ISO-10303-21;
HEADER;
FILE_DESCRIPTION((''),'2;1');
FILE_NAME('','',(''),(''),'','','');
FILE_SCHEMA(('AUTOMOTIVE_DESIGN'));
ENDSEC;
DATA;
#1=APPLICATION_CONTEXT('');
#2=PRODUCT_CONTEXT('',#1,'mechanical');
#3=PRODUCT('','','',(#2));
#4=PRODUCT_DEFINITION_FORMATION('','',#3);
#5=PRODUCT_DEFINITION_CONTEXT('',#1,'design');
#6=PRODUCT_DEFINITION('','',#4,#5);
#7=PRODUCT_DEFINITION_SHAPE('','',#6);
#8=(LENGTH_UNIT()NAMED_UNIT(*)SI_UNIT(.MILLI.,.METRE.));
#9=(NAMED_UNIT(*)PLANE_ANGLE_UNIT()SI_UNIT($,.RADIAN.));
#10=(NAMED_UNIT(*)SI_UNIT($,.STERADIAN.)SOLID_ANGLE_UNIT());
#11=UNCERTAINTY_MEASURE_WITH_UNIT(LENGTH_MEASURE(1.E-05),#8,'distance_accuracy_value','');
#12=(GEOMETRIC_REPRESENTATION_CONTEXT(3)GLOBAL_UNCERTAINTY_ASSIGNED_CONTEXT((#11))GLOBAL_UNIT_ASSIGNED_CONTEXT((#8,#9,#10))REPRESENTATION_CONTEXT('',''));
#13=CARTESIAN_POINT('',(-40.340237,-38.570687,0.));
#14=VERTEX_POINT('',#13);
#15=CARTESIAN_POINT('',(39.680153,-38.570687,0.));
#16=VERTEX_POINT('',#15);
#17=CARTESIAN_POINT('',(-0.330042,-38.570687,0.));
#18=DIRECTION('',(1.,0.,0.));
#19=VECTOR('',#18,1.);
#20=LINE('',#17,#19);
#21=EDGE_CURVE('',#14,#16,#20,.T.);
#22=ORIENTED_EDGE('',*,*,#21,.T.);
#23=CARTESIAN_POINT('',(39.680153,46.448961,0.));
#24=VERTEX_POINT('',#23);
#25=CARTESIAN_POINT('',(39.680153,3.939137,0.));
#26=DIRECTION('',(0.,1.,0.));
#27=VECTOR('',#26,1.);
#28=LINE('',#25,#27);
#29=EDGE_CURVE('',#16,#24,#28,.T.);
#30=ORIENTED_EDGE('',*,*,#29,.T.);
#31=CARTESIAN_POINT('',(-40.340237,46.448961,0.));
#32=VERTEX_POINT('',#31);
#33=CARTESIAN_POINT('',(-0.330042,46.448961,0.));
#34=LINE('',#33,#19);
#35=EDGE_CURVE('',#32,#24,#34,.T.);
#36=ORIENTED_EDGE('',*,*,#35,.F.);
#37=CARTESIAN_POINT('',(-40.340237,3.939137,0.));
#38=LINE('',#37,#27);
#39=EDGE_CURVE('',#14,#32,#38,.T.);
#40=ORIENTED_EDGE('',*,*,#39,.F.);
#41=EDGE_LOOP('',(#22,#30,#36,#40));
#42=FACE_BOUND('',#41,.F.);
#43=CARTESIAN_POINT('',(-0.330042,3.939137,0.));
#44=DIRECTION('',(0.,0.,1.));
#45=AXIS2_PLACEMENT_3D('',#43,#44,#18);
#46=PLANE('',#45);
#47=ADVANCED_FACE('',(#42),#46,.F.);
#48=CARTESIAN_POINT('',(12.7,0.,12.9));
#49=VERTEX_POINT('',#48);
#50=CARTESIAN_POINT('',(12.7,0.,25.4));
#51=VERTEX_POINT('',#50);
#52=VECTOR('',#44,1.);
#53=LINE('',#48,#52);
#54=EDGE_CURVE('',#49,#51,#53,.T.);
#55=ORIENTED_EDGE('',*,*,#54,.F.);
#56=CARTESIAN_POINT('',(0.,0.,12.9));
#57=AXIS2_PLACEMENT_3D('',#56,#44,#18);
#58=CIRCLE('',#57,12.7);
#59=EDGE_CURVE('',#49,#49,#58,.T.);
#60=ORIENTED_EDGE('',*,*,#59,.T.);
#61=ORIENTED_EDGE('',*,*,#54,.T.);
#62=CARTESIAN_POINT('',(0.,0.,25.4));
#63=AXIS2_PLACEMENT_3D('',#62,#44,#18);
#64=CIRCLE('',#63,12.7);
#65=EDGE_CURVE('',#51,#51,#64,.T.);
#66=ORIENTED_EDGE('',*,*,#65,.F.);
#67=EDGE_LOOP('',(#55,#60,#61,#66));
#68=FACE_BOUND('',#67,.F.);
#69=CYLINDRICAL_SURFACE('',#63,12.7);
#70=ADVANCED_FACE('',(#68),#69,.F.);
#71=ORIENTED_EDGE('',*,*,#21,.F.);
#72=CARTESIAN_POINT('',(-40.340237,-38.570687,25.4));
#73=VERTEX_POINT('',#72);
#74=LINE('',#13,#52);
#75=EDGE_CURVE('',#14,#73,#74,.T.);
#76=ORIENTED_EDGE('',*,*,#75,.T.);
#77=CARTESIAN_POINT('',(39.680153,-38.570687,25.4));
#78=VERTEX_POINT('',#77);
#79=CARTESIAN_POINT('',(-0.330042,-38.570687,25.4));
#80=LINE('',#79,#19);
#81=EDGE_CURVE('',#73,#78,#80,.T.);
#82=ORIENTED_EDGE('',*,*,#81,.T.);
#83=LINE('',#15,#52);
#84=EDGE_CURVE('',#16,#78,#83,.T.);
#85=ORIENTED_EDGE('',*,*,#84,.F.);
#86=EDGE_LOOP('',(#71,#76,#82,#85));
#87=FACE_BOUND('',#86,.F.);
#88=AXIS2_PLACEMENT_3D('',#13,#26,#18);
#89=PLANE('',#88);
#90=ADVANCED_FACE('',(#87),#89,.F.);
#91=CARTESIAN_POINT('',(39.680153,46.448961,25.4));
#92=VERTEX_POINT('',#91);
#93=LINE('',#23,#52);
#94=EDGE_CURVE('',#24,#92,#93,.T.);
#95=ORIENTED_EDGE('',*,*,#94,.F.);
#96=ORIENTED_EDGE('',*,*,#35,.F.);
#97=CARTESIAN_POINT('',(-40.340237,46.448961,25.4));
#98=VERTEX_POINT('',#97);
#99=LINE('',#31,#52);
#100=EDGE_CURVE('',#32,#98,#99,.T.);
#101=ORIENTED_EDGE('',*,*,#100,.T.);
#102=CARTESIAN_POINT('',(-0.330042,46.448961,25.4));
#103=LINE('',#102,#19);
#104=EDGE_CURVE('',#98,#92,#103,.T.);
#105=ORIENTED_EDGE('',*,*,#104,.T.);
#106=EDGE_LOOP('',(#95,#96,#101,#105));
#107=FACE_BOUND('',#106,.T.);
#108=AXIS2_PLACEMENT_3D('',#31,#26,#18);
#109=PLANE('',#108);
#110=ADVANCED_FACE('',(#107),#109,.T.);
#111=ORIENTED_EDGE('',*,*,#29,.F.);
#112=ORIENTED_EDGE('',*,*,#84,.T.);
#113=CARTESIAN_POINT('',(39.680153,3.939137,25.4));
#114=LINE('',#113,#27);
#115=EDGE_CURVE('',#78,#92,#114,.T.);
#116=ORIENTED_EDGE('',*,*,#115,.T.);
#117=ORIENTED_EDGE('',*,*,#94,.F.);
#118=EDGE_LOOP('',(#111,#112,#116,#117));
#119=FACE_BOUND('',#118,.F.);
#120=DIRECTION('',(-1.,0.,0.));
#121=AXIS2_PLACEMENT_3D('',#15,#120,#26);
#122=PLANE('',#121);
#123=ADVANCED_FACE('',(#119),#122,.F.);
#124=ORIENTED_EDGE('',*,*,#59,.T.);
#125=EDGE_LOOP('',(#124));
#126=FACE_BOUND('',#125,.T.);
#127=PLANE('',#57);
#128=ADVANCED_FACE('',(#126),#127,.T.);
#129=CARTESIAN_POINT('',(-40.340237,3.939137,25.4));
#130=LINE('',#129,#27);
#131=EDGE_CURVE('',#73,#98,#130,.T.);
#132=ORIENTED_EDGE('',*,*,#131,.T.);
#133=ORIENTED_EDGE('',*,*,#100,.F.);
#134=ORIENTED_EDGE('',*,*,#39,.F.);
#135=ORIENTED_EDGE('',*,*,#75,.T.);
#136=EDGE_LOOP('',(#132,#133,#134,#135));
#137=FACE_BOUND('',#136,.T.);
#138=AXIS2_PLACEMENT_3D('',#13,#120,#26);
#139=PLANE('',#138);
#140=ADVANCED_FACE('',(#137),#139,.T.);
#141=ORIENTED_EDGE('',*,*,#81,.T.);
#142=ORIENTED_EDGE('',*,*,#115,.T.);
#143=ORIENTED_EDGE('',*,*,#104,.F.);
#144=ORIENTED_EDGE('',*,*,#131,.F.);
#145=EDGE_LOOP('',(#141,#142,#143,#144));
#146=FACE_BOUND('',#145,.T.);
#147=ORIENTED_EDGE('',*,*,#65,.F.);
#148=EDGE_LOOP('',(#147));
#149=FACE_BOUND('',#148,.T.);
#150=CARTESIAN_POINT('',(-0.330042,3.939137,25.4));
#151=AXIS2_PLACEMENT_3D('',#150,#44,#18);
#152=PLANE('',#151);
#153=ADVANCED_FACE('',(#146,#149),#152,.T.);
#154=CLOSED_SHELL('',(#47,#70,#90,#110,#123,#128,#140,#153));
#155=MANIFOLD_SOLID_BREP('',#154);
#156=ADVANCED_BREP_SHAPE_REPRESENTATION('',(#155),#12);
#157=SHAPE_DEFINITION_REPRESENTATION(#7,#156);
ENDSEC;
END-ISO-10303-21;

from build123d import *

# Parameters (mm, degrees)
F0_W     = 80.02039
F0_H     = 85.019648
F1_DEPTH = 25.4
F3_R     = 12.7
F2_DEPTH = 12.5


with BuildPart() as f1:
    # F0 (on Top) → F1 (new body)
    with BuildSketch(Plane.XY):
        with Locations((-0.330042, 3.939137)):
            Rectangle(F0_W, F0_H)
    extrude(amount=F1_DEPTH)

    # F3 (on face) → F2 (cut, symmetric)
    with BuildSketch(Plane.XY.offset(25.4)):
        Circle(F3_R)
    extrude(amount=F2_DEPTH, both=True, mode=Mode.SUBTRACT)


solid = f1.part
